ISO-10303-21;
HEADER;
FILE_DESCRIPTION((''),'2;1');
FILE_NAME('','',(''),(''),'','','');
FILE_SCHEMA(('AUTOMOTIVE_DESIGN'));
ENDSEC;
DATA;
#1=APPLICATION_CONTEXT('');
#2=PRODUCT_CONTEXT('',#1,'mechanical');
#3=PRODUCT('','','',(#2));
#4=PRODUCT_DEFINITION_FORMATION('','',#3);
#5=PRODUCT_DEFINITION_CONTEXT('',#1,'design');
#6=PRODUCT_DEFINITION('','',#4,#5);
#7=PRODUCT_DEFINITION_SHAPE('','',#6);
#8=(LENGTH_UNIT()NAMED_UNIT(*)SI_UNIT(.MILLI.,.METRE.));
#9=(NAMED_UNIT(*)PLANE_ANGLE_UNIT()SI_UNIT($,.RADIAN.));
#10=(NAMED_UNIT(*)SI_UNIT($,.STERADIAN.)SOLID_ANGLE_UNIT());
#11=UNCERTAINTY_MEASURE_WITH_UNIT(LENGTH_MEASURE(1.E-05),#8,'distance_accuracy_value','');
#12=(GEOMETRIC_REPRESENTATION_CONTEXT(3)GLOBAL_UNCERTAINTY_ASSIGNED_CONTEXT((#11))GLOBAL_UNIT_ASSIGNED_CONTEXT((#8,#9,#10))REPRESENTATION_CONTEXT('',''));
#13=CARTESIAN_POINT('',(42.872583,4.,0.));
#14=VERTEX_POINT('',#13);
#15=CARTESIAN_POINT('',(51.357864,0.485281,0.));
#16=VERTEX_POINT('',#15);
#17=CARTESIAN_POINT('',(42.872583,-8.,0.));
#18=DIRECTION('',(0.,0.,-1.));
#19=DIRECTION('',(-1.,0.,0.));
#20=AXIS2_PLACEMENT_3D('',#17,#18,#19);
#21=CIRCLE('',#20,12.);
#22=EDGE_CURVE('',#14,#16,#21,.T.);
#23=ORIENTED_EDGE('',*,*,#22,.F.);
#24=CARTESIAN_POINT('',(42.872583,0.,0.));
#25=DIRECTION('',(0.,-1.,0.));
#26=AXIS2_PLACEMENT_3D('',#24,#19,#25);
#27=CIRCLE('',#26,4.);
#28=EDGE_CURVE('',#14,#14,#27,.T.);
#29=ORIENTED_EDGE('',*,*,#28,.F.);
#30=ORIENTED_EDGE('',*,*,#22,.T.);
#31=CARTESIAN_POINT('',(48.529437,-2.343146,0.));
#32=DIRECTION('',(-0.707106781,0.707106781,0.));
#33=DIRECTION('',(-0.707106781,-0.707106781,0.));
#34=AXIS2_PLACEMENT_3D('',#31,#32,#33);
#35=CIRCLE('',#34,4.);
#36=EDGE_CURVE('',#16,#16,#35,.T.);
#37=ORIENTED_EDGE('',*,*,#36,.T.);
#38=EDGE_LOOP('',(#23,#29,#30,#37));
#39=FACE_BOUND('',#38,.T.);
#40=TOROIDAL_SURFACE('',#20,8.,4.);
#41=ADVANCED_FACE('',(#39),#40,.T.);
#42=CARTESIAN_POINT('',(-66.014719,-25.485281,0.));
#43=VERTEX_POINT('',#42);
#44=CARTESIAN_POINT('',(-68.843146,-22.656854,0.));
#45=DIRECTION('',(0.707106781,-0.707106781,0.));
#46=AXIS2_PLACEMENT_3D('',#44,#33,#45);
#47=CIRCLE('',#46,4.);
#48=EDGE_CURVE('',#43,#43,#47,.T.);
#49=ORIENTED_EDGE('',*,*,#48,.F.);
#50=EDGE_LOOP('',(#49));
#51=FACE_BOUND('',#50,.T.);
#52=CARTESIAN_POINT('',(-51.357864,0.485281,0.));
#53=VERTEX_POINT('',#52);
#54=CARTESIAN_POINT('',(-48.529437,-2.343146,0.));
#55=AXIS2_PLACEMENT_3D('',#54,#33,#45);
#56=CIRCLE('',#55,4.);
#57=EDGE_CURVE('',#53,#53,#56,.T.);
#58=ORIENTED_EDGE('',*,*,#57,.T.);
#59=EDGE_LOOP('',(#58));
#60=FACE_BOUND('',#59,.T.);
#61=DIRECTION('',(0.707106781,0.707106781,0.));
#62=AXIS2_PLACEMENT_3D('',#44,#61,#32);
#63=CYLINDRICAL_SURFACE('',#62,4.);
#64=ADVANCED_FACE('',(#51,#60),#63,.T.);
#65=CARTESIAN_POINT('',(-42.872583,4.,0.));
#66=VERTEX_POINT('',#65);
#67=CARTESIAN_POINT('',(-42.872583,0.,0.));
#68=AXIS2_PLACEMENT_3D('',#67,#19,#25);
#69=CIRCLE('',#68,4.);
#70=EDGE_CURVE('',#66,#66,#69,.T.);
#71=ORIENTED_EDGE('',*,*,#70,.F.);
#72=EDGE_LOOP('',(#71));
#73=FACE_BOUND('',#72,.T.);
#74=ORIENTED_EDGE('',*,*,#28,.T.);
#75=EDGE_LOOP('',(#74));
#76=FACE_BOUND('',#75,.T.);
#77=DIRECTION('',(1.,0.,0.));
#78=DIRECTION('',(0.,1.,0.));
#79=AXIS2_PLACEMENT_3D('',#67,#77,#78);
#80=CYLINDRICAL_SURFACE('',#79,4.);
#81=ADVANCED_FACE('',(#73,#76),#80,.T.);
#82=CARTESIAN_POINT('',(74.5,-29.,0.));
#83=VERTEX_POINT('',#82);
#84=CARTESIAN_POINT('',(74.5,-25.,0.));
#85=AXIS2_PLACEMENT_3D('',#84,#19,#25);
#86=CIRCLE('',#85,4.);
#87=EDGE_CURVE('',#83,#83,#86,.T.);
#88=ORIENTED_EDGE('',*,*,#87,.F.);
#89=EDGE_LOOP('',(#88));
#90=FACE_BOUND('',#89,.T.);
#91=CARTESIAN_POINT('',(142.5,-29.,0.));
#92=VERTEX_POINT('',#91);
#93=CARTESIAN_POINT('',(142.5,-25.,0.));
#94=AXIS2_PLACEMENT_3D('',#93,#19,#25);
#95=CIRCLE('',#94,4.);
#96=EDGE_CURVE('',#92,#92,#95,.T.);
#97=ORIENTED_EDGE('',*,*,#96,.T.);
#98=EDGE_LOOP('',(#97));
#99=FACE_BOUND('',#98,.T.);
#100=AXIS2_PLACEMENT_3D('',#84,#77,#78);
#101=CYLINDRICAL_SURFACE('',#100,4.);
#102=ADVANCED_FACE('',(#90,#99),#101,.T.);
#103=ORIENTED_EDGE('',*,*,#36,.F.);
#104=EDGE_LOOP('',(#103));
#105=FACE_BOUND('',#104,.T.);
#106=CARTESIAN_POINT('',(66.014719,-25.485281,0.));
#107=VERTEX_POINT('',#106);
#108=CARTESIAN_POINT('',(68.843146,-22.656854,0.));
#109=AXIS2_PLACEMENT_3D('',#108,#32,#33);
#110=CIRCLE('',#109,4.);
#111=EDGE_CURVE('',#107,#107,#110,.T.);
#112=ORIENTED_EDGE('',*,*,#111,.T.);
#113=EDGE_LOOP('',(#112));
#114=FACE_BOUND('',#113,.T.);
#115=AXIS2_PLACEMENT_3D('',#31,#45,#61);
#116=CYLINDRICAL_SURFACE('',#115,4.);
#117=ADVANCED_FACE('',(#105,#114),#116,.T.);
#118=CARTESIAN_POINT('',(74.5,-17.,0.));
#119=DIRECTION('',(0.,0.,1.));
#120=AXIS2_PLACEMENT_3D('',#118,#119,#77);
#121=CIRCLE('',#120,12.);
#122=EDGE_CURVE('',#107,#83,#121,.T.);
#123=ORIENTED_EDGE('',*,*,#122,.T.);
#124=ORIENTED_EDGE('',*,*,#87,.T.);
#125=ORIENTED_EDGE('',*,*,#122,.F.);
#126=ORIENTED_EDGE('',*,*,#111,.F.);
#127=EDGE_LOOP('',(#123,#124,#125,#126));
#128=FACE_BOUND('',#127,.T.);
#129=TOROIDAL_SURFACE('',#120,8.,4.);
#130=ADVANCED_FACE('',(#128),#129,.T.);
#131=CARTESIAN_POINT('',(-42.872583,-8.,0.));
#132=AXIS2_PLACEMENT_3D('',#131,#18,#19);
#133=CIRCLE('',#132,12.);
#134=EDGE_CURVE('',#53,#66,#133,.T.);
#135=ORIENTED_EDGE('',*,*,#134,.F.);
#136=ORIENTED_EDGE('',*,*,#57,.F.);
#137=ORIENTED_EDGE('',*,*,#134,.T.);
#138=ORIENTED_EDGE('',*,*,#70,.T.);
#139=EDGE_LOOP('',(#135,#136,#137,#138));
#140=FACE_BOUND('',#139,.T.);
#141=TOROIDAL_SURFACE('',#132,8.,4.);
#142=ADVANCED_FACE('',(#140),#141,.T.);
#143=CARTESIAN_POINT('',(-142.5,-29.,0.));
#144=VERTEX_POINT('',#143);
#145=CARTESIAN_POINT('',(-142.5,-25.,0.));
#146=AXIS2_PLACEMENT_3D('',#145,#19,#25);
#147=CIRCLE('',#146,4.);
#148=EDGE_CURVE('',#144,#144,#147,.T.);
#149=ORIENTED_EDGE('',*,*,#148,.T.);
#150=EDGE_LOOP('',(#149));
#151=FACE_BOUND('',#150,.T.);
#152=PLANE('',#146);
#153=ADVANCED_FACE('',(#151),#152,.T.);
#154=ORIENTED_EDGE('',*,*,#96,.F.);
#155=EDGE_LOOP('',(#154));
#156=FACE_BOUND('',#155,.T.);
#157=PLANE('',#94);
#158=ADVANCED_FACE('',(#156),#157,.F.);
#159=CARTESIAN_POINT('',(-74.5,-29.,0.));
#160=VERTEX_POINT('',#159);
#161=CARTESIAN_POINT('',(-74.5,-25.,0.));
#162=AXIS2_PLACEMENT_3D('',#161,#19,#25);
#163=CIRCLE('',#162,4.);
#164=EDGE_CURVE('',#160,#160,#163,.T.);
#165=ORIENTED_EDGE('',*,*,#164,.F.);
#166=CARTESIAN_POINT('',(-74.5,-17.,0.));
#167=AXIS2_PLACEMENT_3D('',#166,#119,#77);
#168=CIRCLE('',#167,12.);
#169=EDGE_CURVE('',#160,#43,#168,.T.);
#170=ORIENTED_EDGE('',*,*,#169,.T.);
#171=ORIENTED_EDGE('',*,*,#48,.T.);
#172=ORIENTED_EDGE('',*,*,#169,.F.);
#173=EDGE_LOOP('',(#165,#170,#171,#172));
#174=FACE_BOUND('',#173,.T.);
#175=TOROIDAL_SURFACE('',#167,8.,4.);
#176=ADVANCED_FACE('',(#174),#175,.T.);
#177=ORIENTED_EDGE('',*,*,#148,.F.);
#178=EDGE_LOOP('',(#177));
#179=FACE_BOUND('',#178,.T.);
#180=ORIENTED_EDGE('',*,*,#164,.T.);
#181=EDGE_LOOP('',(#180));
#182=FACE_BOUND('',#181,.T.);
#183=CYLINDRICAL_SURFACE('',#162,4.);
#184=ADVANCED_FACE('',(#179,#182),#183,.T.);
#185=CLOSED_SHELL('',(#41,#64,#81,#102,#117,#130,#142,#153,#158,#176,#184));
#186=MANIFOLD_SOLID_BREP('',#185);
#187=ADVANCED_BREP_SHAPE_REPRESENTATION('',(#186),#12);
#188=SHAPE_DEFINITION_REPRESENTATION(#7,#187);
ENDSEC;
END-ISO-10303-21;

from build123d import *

# Parameters (mm, degrees)
SKETCH2_R = 4


with BuildPart() as part:
    # Base-Sweep: sweep along a path in Sketch1
    with BuildLine(Plane.XY) as base_sweep_path:
        Line((-142.5, -25), (-74.5, -25))
        ThreePointArc((-74.5, -25), (-71.438532541, -24.39103626), (-68.843145751, -22.656854249))
        Line((-68.843145751, -22.656854249), (-48.529437252, -2.343145751))
        ThreePointArc((-48.529437252, -2.343145751), (-45.934050461, -0.60896374), (-42.872583002, 0))
        Line((-42.872583002, 0), (42.872583002, 0))
        ThreePointArc((42.872583002, 0), (45.934050461, -0.60896374), (48.529437252, -2.343145751))
        Line((48.529437252, -2.343145751), (68.843145751, -22.656854249))
        ThreePointArc((68.843145751, -22.656854249), (71.438532541, -24.39103626), (74.5, -25))
        Line((74.5, -25), (142.5, -25))
    # Sketch2 → Base-Sweep (sweep)
    with BuildSketch(Plane(origin=(-142.5, -25, 0), x_dir=(0, 0, 1), z_dir=(-1, 0, 0))):
        Circle(SKETCH2_R)
    sweep(path=base_sweep_path.line)


solid = part.part
